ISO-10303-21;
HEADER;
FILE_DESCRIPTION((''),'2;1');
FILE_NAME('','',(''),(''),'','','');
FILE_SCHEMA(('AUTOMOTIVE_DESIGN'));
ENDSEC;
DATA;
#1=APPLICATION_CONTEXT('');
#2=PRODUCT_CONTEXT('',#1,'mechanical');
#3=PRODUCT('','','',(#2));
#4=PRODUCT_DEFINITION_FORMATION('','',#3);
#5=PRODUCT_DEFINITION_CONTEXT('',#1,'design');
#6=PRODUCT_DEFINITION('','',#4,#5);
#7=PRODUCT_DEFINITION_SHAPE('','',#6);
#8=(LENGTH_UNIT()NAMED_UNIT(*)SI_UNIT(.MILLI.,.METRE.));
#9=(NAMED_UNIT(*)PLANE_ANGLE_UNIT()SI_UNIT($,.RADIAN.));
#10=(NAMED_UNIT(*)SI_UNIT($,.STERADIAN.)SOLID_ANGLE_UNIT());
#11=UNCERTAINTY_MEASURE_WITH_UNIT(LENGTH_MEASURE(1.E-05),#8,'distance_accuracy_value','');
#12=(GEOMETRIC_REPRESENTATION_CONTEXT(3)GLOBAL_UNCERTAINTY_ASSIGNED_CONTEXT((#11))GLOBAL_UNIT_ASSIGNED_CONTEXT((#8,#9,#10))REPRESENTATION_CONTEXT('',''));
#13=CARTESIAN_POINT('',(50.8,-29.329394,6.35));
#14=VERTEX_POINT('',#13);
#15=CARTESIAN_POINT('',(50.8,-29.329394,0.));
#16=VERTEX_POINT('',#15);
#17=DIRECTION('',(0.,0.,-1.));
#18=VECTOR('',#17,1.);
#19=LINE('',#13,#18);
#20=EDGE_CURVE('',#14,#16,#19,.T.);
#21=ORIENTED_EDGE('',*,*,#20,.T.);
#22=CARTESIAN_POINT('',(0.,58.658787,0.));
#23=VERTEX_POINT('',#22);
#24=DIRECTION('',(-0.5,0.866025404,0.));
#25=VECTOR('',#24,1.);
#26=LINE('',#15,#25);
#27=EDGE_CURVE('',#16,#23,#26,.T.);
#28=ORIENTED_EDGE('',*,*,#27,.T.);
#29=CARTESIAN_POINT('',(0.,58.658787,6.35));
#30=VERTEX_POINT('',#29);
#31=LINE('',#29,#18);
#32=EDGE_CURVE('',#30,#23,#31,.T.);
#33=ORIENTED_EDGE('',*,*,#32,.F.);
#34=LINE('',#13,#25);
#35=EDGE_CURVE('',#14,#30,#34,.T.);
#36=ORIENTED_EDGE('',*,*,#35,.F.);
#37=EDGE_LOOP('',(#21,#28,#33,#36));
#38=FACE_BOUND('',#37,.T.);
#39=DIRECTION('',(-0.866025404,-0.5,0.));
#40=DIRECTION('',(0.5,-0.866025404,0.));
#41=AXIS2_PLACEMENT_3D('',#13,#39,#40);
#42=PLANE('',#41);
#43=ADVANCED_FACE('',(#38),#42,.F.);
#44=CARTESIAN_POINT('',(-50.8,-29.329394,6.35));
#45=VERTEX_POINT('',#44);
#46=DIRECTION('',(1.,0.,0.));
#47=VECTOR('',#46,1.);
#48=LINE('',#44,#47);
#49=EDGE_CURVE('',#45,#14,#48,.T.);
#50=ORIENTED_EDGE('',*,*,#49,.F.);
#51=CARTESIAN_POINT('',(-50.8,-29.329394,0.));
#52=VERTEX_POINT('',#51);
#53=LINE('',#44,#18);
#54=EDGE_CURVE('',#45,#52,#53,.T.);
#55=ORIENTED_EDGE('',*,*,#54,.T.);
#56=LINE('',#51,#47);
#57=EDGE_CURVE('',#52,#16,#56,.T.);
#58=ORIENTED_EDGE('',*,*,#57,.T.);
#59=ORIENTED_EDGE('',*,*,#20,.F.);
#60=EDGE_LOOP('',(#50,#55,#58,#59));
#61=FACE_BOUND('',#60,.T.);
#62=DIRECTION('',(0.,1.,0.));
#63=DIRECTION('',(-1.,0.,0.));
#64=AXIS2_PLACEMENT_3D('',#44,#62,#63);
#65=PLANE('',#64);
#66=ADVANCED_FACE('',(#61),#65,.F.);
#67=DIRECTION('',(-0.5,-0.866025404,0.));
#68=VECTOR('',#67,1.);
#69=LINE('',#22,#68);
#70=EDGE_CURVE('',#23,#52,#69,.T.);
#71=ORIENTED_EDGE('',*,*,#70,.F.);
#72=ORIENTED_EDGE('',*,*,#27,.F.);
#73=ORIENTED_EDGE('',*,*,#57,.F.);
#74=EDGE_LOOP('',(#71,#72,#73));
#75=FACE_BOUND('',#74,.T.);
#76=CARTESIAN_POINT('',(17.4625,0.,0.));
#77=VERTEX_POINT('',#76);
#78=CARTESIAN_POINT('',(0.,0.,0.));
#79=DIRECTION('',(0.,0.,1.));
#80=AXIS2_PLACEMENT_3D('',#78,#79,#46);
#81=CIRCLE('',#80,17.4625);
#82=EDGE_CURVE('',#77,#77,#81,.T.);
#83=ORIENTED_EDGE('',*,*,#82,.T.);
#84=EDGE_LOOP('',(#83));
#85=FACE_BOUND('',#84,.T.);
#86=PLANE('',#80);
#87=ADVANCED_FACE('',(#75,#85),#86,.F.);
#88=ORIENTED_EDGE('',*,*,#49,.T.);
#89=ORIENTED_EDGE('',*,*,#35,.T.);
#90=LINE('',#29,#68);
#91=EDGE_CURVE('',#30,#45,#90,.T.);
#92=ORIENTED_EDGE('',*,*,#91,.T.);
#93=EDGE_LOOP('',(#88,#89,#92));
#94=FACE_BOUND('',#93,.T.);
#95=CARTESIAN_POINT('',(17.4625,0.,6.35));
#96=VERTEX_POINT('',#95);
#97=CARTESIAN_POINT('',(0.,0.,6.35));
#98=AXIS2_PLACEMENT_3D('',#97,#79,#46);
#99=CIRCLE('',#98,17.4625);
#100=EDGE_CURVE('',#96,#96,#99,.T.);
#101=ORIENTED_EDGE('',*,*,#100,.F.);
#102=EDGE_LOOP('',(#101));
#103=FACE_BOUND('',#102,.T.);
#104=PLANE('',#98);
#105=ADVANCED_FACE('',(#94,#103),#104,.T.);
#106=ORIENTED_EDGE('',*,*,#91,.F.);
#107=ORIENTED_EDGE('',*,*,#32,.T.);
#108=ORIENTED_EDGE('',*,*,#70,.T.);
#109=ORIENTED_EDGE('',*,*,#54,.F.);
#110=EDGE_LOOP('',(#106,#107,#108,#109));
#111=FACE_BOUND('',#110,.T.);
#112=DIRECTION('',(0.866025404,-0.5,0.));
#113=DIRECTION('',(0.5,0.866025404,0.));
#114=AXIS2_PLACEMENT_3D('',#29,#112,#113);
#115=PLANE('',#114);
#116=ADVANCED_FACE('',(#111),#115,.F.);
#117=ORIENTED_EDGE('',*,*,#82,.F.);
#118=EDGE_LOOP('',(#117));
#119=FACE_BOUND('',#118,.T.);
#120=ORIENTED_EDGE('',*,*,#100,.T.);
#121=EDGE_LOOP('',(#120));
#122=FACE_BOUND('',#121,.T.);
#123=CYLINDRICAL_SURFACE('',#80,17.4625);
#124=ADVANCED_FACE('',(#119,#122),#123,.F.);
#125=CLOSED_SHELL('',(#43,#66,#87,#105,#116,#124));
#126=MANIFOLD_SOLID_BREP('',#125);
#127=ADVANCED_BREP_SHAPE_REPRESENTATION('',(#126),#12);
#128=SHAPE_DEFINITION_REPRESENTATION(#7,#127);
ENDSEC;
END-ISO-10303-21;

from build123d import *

# Parameters (mm, degrees)
BOSS_EXTRUDE1_DEPTH = 6.35
SKETCH2_R           = 17.4625
CUT_EXTRUDE1_DEPTH  = 7.35


with BuildPart() as part:
    # Sketch1 → Boss-Extrude1 (new body)
    with BuildSketch(Plane.XY):
        Polygon((0, 58.65878735), (-50.8, -29.329393675), (50.8, -29.329393675), align=None)
    extrude(amount=BOSS_EXTRUDE1_DEPTH)

    # Sketch2 → Cut-Extrude1 (cut, through all)
    with BuildSketch(Plane.XY.offset(6.35)):
        Circle(SKETCH2_R)
    extrude(amount=-CUT_EXTRUDE1_DEPTH, mode=Mode.SUBTRACT)


solid = part.part
